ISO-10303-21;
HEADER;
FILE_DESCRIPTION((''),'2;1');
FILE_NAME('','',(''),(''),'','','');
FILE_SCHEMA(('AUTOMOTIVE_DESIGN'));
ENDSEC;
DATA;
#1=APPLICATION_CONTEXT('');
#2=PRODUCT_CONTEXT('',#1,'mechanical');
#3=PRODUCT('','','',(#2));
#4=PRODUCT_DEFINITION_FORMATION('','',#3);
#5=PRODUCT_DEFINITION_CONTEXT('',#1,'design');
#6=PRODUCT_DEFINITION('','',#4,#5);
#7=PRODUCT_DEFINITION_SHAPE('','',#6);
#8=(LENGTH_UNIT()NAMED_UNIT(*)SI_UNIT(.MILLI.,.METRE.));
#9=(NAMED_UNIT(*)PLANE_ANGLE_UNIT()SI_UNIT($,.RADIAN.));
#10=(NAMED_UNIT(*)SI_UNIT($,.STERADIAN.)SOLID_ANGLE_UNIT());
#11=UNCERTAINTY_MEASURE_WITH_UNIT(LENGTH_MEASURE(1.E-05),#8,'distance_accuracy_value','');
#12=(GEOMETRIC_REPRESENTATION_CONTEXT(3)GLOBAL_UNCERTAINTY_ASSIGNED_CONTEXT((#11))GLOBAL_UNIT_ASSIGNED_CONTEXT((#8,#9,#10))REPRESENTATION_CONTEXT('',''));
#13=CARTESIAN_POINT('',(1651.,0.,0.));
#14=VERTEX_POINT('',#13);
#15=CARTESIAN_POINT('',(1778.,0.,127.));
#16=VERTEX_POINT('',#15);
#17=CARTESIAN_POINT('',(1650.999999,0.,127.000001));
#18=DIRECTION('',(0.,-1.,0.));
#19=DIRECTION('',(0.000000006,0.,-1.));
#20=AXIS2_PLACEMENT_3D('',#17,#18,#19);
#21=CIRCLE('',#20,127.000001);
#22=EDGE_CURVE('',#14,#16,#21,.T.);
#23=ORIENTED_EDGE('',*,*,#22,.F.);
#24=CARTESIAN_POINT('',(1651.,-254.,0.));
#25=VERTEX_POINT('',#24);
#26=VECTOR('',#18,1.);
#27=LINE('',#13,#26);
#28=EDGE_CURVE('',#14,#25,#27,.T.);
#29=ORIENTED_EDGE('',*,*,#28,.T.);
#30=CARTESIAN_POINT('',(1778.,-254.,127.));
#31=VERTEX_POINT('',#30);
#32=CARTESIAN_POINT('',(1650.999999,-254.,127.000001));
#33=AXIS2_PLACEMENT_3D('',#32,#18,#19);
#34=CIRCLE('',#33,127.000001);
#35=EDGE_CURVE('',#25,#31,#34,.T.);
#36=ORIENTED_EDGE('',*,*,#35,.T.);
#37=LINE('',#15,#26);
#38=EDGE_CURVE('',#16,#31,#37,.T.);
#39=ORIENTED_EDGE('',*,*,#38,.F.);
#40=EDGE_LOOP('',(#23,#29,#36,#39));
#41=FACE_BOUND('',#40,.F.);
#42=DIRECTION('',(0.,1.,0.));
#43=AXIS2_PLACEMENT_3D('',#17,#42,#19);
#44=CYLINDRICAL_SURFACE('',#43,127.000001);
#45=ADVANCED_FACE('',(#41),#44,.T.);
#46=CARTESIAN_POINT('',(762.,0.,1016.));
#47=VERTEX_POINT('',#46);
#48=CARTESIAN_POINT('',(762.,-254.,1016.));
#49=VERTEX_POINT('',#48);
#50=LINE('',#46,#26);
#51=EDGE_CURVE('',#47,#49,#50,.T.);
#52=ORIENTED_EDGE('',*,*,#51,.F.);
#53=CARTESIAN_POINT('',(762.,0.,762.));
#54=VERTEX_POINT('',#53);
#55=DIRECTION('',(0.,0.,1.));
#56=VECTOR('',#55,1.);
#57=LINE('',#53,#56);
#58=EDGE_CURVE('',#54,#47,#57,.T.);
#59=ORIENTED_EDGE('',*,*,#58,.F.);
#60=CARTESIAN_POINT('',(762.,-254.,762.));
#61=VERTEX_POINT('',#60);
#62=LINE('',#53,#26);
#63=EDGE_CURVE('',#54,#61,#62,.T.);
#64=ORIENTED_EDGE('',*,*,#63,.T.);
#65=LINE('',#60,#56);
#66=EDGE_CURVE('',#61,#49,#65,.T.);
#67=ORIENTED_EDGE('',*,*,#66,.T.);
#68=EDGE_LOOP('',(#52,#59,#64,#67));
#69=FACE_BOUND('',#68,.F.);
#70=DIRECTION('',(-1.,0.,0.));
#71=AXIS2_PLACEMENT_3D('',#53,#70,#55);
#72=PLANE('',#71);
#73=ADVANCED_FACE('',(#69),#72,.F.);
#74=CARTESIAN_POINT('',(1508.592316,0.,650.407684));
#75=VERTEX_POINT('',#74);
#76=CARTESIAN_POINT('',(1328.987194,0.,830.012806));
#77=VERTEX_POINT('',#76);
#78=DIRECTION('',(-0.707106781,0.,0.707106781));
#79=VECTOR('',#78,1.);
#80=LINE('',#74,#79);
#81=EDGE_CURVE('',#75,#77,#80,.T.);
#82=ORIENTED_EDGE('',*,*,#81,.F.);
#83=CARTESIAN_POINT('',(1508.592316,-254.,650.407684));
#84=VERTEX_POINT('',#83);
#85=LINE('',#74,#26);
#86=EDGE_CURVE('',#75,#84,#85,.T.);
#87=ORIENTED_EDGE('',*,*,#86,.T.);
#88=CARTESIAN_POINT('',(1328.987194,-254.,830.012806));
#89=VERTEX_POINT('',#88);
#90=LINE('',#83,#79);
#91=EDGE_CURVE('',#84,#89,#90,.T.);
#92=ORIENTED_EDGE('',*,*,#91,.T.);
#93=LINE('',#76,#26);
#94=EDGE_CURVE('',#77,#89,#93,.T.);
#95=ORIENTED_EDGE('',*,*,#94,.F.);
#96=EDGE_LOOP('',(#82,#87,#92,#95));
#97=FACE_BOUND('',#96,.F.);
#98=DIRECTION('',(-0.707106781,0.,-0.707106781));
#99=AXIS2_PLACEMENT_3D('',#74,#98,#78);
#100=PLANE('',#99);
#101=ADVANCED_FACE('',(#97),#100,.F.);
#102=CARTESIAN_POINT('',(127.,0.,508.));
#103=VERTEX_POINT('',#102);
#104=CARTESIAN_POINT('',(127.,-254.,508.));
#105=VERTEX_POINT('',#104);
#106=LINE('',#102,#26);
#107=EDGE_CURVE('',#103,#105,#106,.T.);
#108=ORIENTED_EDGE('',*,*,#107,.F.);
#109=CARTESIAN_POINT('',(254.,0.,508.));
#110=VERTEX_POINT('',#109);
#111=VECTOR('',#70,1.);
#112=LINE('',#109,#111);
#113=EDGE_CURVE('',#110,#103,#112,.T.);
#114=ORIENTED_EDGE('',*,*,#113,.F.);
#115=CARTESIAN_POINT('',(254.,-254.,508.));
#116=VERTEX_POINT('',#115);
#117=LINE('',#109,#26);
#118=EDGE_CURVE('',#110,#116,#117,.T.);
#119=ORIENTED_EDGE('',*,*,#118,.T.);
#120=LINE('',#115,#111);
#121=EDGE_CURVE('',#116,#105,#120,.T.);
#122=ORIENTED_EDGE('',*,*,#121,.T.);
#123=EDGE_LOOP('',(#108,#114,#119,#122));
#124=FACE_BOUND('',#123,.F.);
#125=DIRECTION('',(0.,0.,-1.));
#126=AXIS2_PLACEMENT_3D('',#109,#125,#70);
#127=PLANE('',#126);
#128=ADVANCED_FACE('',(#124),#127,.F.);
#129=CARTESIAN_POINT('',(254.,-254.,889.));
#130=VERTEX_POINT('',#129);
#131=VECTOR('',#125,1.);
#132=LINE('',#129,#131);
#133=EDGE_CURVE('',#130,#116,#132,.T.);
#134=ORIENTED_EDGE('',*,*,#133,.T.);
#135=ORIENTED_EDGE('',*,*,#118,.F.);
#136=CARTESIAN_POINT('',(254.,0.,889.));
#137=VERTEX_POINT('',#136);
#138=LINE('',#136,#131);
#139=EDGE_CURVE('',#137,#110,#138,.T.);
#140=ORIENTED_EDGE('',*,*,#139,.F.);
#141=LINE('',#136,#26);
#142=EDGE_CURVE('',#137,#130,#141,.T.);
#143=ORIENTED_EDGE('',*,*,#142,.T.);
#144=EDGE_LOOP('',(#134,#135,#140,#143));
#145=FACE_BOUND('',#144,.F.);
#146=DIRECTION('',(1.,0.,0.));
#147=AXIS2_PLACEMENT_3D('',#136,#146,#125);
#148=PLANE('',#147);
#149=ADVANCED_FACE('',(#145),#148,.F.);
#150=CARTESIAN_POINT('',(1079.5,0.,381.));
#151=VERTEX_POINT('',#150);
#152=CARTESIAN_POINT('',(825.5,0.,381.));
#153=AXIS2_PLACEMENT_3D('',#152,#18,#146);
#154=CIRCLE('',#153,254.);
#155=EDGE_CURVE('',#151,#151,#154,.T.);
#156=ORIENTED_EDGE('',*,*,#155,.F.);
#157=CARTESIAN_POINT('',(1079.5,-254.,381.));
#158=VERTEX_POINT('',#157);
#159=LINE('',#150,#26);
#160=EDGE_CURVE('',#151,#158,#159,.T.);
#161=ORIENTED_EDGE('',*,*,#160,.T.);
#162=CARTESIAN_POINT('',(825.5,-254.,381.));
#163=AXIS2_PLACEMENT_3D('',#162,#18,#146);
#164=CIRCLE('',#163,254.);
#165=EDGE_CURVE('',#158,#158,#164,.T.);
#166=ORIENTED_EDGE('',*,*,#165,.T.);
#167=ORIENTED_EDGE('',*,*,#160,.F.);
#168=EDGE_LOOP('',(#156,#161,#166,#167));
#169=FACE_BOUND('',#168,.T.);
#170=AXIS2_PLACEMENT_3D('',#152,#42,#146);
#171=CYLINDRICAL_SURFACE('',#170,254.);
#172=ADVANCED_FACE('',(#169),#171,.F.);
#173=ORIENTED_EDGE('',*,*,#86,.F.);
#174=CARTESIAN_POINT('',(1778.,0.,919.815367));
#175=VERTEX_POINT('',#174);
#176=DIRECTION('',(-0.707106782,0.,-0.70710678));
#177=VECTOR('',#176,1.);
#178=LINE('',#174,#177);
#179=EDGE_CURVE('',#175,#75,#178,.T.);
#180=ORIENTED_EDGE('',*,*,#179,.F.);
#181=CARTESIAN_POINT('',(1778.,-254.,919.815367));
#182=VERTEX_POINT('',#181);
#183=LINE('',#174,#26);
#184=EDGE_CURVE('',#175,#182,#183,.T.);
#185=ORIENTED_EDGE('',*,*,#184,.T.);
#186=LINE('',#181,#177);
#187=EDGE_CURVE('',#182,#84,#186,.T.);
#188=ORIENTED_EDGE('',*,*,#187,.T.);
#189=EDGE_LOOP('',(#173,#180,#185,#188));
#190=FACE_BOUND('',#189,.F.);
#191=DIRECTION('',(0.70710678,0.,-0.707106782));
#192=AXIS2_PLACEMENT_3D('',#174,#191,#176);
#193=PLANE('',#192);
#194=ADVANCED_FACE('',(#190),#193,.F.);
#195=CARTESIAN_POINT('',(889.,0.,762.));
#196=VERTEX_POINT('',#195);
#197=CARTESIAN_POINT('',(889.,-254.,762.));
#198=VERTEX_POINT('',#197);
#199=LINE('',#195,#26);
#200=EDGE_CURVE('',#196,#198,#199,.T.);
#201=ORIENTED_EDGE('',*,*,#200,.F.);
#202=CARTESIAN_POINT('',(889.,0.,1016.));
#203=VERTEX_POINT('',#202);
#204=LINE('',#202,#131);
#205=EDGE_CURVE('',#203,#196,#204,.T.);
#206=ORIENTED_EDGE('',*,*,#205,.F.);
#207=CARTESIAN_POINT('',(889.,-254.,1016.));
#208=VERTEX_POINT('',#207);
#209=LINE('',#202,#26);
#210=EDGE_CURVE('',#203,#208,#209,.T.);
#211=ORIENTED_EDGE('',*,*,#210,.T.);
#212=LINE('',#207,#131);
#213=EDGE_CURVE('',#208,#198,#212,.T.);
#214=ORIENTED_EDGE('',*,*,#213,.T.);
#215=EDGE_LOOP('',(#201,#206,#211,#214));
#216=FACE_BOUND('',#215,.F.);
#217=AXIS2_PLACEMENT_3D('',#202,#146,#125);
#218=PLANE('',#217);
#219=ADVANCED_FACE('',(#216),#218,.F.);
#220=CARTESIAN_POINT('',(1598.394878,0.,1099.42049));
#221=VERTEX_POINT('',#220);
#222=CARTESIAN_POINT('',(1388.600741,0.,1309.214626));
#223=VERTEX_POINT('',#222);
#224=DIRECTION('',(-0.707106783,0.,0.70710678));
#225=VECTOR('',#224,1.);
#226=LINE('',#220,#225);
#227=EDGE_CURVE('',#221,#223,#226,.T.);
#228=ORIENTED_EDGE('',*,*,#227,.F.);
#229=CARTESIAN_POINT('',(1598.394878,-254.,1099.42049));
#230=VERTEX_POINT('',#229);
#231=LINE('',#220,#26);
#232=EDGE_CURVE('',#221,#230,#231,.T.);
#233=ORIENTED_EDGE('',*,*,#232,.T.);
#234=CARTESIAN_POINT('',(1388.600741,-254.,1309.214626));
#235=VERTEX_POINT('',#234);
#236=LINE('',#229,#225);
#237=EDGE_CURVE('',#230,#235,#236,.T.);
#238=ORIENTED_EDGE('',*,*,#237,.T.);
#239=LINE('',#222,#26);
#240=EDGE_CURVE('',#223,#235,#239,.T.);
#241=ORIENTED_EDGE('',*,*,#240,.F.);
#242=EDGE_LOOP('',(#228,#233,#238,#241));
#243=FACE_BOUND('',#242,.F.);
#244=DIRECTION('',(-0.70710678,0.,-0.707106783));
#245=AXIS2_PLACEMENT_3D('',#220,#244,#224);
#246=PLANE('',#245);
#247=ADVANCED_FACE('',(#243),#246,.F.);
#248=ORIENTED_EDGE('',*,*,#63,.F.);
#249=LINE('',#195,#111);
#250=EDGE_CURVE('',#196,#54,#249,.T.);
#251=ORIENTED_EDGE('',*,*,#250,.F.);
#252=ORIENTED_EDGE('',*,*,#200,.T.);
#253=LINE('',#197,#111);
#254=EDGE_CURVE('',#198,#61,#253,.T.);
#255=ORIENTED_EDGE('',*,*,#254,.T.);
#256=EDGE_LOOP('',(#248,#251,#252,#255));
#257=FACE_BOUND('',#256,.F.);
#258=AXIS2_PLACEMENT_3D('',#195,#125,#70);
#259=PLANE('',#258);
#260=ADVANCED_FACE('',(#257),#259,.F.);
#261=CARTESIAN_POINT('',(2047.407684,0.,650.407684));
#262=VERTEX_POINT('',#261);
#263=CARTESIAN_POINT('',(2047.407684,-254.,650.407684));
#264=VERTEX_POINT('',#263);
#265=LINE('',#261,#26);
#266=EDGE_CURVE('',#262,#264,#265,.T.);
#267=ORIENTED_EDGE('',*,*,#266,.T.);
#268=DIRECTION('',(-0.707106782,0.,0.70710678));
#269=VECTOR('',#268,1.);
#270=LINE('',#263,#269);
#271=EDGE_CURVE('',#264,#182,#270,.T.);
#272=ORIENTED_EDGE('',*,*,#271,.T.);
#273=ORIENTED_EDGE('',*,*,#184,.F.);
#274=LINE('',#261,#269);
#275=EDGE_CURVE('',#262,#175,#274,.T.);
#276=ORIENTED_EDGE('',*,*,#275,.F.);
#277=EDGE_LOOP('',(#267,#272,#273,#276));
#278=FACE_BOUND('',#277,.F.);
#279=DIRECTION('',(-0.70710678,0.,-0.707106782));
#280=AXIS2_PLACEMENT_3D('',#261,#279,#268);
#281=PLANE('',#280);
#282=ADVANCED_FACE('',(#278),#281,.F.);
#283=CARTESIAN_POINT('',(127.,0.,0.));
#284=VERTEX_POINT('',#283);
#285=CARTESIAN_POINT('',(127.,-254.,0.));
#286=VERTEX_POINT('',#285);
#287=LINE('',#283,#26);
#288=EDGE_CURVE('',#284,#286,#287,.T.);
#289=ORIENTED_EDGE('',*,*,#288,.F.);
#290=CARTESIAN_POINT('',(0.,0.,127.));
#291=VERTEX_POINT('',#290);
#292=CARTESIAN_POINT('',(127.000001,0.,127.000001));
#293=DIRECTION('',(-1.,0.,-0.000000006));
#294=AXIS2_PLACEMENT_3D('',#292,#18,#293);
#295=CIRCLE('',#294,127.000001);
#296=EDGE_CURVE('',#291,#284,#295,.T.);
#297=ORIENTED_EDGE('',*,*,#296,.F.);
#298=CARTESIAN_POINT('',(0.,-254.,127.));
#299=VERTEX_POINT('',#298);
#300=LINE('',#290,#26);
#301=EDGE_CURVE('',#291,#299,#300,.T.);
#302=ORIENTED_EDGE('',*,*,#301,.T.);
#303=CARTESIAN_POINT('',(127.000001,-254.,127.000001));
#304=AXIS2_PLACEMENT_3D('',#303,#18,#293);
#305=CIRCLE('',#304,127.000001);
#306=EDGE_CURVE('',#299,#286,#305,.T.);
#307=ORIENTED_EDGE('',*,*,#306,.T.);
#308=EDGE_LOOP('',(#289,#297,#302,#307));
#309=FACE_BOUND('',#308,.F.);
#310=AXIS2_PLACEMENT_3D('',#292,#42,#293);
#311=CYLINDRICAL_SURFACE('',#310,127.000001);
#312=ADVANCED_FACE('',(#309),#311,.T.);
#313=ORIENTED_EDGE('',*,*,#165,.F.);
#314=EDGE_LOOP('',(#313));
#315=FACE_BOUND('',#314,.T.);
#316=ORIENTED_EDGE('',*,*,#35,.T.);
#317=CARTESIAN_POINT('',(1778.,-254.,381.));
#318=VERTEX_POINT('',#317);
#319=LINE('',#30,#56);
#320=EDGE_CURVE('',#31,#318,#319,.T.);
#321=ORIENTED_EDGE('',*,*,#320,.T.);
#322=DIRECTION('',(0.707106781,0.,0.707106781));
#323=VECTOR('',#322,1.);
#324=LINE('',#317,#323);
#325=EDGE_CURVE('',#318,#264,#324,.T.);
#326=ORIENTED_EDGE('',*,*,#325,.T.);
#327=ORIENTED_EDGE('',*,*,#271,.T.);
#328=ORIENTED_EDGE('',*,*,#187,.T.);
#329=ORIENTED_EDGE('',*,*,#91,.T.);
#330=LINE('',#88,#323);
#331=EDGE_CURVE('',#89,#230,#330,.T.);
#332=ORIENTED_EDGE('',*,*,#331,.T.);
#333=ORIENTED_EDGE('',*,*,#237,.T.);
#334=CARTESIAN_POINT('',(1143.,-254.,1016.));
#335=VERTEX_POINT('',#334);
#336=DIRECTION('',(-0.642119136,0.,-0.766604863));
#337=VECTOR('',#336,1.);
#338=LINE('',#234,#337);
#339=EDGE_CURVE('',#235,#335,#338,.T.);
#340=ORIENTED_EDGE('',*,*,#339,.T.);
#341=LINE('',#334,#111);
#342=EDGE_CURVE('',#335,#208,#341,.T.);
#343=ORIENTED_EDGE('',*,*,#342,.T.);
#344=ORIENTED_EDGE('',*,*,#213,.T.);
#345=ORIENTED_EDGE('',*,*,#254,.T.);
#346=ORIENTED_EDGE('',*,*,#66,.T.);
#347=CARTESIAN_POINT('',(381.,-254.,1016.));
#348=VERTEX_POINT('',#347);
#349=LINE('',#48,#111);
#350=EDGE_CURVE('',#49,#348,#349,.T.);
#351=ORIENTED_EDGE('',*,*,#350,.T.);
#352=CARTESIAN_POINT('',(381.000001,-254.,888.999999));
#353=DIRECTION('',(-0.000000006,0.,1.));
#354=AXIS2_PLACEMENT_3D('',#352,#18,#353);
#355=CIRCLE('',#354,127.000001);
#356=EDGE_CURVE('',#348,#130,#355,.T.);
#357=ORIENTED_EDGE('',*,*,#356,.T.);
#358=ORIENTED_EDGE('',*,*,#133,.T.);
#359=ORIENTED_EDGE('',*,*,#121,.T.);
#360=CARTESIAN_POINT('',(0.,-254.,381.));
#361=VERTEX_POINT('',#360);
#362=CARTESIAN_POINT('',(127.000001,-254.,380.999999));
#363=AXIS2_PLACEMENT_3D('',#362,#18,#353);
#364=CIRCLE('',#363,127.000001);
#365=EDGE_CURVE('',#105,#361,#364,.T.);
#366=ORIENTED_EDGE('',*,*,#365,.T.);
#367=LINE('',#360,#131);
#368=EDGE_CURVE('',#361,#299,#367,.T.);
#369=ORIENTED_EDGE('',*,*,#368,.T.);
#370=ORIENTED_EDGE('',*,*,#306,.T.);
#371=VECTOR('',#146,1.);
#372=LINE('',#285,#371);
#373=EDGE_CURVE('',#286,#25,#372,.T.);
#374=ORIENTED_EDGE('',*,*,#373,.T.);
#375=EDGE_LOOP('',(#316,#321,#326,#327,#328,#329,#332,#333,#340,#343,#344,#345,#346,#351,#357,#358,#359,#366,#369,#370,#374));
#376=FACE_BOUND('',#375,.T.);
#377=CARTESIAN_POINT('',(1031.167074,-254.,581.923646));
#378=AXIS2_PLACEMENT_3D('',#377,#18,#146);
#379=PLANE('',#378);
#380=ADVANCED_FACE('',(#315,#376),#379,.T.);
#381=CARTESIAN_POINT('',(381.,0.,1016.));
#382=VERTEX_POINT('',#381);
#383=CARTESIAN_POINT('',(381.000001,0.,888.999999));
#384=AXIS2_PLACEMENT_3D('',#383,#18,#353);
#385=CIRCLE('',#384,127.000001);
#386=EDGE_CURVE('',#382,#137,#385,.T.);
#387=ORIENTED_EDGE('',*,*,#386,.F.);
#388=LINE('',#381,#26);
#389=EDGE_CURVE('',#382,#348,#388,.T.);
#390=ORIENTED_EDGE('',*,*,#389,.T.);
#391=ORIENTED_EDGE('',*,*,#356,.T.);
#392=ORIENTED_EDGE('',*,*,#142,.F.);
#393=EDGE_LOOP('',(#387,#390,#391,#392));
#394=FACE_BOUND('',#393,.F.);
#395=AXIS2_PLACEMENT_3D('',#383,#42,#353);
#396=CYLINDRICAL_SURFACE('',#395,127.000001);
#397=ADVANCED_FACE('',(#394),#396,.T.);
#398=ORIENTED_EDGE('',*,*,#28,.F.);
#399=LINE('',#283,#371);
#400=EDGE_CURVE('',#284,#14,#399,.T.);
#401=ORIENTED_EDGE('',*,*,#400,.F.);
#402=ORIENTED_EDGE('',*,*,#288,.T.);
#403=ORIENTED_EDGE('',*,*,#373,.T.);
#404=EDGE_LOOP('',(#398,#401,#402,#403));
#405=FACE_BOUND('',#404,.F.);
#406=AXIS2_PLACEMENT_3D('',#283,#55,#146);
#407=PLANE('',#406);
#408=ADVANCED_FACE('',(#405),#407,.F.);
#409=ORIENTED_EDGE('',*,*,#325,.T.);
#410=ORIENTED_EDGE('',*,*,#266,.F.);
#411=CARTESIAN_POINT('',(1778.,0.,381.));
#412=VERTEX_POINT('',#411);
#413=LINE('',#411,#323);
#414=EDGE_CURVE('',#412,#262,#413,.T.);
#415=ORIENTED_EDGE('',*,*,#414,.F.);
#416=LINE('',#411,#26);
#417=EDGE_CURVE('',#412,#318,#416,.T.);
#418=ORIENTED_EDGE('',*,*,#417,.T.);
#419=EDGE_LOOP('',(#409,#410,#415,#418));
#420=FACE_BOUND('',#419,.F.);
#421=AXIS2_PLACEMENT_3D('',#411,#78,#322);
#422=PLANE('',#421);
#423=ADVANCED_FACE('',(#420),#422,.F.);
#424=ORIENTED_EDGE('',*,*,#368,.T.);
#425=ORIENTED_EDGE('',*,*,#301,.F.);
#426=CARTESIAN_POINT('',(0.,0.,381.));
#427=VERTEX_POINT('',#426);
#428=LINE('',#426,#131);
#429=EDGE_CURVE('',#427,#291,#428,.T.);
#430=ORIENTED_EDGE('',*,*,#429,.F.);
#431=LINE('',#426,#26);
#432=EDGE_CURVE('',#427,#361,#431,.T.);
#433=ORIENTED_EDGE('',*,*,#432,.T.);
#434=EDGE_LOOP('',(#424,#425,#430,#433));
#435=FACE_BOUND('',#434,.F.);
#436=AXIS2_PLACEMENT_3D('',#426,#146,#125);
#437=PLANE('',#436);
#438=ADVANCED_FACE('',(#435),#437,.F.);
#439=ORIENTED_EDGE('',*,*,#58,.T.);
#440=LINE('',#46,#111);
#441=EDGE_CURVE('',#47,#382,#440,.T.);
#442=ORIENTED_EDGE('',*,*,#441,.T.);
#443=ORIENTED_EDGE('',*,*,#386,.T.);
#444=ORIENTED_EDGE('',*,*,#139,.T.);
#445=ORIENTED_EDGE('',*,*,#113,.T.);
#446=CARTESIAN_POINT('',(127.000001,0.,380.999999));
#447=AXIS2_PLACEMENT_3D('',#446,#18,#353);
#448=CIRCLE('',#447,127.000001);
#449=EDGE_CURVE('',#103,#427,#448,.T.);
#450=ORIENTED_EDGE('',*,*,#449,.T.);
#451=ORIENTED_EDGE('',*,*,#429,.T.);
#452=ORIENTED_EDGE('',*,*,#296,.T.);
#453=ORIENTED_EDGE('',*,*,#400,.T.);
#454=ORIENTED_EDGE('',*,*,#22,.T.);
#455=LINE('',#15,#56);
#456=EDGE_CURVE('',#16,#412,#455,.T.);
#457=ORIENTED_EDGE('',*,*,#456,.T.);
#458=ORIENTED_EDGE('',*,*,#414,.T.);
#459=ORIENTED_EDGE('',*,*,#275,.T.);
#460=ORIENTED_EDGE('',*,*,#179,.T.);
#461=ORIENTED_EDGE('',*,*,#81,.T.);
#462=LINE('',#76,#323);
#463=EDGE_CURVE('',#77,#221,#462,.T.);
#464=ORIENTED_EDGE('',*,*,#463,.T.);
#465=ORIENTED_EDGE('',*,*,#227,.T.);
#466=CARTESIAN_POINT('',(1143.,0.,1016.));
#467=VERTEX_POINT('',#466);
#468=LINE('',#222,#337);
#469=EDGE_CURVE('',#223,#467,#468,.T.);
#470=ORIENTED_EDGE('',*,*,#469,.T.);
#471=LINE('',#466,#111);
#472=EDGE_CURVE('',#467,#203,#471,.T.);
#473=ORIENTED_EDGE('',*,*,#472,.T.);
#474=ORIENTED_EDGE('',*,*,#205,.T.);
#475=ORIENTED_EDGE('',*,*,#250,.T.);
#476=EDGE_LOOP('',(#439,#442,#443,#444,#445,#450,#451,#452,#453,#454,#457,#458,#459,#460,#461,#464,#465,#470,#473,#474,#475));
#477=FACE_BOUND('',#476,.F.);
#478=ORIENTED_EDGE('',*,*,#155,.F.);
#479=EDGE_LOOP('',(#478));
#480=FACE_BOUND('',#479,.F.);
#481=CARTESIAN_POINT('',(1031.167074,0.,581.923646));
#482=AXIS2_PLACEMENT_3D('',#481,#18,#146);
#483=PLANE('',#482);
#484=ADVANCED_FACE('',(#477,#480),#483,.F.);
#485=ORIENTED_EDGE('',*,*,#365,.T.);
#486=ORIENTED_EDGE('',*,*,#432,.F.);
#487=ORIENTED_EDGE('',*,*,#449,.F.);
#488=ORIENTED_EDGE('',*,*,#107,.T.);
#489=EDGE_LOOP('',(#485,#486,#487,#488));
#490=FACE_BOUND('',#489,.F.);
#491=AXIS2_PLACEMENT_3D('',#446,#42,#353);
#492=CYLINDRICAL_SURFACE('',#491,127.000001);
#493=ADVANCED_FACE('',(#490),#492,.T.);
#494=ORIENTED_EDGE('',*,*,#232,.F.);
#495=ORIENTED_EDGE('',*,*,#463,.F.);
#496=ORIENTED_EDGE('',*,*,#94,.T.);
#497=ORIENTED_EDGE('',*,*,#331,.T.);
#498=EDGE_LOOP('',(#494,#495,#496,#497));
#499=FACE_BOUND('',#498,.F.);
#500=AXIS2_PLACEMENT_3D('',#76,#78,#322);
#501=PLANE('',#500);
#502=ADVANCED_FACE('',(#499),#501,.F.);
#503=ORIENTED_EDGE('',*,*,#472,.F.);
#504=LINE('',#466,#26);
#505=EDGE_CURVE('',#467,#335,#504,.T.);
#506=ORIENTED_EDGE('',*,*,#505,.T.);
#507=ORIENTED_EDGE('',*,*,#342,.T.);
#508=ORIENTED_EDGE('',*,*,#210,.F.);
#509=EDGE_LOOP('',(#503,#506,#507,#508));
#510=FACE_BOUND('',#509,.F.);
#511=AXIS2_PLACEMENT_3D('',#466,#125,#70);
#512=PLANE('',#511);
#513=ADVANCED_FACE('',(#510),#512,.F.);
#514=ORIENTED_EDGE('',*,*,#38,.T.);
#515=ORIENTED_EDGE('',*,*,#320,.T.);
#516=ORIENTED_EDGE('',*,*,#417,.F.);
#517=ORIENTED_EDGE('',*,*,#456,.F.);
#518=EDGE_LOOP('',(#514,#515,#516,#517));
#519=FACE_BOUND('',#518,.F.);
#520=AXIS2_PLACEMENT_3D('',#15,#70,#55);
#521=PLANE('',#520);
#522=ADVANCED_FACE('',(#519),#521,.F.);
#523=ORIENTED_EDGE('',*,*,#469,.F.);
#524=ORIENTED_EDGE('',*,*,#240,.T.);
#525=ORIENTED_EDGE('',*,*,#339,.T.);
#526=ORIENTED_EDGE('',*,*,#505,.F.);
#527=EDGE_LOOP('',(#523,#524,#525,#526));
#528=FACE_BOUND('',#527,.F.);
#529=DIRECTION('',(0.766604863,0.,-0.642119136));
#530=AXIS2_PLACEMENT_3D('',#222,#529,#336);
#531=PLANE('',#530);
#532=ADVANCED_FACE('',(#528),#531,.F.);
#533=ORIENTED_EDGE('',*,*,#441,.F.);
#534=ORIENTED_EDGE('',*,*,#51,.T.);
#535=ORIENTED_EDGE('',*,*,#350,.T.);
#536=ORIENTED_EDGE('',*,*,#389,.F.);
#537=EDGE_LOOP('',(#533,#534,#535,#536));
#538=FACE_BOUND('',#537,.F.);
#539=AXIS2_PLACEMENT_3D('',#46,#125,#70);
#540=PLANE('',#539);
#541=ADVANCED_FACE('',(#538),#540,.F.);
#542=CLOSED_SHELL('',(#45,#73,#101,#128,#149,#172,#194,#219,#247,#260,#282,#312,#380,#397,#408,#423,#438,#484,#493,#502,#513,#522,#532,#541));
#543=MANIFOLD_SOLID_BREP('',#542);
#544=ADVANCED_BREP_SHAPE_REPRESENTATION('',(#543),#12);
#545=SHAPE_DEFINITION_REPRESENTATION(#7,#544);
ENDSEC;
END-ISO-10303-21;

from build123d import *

# Parameters (mm, degrees)
F0_R     = 254
F1_DEPTH = 254


with BuildPart() as f1:
    # F0 (on Front) → F1 (new body)
    with BuildSketch(Plane.XZ):
        with BuildLine():
            ThreePointArc((0, 127), (37.197439, 37.197439), (127, 0))
            Line((127, 0), (1651, 0))
            ThreePointArc((1651, 0), (1740.802561, 37.197439), (1778, 127))
            Line((1778, 127), (1778, 381))
            Line((1778, 381), (2047.407684, 650.407684))
            Line((2047.407684, 650.407684), (1778, 919.815367))
            Line((1778, 919.815367), (1508.592316, 650.407684))
            Line((1508.592316, 650.407684), (1328.987194, 830.012806))
            Line((1328.987194, 830.012806), (1598.394878, 1099.42049))
            Line((1598.394878, 1099.42049), (1388.600741, 1309.214626))
            Line((1388.600741, 1309.214626), (1143, 1016))
            Line((1143, 1016), (889, 1016))
            Line((889, 1016), (889, 762))
            Line((889, 762), (762, 762))
            Line((762, 762), (762, 1016))
            Line((762, 1016), (381, 1016))
            ThreePointArc((381, 1016), (291.197439, 978.802561), (254, 889))
            Line((254, 889), (254, 508))
            Line((254, 508), (127, 508))
            ThreePointArc((127, 508), (37.197439, 470.802561), (0, 381))
            Line((0, 381), (0, 127))
        make_face()
        with Locations((825.5, 381)):
            Circle(F0_R, mode=Mode.SUBTRACT)
    extrude(amount=F1_DEPTH)


solid = f1.part
